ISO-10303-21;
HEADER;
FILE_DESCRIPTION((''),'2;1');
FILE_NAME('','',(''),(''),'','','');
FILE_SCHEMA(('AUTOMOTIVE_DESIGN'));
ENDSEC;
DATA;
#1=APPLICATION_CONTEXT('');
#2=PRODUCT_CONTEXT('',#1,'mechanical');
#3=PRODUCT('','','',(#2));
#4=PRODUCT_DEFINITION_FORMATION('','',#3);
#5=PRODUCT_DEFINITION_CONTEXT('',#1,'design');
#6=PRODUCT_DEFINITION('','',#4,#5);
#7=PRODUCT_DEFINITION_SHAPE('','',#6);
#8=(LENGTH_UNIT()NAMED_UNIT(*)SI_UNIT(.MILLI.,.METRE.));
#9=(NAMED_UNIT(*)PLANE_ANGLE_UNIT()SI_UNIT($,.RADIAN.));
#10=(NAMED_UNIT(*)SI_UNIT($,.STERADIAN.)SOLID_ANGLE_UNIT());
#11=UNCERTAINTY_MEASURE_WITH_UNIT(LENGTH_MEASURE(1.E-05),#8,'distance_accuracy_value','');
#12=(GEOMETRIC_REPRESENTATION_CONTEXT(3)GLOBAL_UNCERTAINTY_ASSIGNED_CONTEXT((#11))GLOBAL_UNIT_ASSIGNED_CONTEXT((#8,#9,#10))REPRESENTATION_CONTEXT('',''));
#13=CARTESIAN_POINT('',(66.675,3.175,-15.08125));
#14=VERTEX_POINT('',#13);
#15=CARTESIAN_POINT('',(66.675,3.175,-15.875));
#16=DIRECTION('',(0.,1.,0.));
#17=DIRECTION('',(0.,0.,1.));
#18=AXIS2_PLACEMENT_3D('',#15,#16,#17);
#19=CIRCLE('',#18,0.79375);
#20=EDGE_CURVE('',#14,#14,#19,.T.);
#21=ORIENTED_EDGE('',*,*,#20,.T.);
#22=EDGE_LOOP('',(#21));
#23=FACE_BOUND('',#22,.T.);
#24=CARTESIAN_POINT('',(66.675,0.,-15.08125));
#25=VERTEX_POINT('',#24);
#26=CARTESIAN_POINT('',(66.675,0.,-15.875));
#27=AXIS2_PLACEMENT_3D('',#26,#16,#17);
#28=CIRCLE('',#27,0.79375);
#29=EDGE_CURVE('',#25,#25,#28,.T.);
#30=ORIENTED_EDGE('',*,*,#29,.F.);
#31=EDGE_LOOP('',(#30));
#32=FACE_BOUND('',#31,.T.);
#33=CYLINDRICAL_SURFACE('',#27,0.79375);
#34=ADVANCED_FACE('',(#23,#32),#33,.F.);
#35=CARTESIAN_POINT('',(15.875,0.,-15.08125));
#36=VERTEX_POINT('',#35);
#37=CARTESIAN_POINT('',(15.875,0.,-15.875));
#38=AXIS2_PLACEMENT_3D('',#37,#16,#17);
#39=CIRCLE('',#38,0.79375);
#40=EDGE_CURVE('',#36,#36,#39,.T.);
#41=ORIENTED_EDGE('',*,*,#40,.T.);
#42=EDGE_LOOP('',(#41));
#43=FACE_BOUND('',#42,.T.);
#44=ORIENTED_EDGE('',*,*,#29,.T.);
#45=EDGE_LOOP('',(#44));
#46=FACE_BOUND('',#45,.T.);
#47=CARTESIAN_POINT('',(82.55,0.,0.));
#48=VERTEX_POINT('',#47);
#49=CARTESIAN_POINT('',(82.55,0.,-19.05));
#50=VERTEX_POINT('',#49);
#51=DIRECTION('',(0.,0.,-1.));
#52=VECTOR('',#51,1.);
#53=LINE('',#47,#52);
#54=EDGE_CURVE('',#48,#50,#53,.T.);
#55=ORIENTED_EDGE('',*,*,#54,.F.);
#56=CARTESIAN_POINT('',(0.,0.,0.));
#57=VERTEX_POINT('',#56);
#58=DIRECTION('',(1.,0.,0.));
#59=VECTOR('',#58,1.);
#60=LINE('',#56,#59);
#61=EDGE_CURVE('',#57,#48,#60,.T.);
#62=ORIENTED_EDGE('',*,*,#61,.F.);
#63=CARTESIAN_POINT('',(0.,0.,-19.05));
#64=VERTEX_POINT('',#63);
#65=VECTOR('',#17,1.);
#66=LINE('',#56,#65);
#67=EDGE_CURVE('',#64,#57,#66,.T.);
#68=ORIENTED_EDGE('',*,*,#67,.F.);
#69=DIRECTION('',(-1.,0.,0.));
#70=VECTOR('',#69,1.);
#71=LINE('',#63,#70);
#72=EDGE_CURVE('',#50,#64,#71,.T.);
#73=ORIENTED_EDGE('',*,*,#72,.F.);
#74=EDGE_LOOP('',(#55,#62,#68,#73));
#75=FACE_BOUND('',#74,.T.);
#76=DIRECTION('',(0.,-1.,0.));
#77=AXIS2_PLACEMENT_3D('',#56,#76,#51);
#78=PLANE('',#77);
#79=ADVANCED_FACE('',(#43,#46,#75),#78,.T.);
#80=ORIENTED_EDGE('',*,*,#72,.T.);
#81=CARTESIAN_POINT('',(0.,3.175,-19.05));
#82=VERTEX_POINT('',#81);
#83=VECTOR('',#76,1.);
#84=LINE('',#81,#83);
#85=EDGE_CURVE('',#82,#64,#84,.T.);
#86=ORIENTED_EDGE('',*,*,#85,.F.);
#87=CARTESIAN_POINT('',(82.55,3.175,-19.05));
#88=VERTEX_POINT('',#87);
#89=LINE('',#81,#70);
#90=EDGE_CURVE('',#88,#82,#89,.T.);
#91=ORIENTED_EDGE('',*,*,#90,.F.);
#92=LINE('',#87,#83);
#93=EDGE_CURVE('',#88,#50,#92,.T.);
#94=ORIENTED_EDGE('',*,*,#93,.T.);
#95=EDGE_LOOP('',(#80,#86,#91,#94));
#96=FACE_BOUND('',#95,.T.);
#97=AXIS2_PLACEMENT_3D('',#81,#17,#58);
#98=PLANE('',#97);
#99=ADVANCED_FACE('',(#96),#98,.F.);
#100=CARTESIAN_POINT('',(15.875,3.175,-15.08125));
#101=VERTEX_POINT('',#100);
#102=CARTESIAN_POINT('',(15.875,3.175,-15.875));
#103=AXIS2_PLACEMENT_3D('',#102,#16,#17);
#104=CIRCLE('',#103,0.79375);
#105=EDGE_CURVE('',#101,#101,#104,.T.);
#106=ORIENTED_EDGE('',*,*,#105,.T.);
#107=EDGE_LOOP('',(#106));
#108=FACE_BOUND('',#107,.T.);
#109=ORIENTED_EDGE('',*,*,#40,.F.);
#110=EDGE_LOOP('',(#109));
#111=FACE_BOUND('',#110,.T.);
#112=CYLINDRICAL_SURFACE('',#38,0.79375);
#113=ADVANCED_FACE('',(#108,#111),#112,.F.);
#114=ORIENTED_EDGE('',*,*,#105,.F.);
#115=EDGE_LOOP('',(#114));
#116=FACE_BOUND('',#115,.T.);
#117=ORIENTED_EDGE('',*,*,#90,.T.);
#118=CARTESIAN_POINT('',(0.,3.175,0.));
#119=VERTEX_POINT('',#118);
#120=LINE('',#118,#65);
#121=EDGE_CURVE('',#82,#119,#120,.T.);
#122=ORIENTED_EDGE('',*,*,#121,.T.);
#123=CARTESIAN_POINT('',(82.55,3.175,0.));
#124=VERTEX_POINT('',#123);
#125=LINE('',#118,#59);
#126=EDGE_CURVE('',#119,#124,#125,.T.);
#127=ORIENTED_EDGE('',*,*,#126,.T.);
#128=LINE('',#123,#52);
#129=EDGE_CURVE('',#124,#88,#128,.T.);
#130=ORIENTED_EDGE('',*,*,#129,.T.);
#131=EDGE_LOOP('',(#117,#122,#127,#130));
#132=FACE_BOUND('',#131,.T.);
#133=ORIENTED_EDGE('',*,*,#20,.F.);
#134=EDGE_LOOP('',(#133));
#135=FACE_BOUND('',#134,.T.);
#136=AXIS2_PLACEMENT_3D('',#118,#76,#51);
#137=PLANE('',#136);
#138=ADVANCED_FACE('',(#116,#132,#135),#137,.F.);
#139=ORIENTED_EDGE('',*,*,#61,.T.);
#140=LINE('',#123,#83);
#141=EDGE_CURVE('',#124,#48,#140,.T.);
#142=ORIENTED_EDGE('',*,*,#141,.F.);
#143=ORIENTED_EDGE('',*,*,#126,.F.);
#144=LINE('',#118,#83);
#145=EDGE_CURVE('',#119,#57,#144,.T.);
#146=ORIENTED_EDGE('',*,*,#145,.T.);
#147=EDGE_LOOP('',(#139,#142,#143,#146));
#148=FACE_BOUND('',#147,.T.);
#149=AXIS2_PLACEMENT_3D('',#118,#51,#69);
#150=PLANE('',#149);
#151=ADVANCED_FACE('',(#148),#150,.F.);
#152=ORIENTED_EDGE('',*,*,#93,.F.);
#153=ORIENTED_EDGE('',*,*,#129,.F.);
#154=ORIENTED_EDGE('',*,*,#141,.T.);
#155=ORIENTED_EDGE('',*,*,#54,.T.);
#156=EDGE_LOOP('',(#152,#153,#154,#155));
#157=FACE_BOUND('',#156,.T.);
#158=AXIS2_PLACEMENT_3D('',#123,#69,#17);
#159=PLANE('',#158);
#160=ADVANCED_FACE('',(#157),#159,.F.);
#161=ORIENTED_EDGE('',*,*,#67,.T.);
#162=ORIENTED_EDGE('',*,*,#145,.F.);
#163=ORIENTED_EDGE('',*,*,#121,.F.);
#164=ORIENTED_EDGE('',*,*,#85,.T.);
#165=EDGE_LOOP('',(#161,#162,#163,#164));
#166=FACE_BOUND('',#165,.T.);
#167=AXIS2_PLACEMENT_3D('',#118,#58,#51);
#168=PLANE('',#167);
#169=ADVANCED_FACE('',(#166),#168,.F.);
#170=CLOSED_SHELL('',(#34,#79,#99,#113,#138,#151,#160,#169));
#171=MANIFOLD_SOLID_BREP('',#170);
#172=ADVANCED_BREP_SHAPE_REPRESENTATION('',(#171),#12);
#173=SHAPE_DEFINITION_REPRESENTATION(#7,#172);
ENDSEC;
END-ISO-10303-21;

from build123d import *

# Parameters (mm, degrees)
SKETCH1_W           = 82.55
SKETCH1_H           = 19.05
BOSS_EXTRUDE1_DEPTH = 3.175
SKETCH2_R           = 0.79375
CUT_EXTRUDE1_DEPTH  = 85.77904001


with BuildPart() as part:
    # Sketch1 → Boss-Extrude1 (new body)
    with BuildSketch(Plane(origin=(0, 0, 0), x_dir=(1, 0, 0), z_dir=(0, 1, 0))):
        with Locations((41.275, 9.525)):
            Rectangle(SKETCH1_W, SKETCH1_H)
    extrude(amount=BOSS_EXTRUDE1_DEPTH)

    # Sketch2 → Cut-Extrude1 (cut, through all)
    with BuildSketch(Plane(origin=(0, 3.175, 0), x_dir=(1, 0, 0), z_dir=(0, 1, 0))):
        with Locations(Location((15.875, 15.875, 0), (0, 0, 270))):
            Circle(SKETCH2_R)
        with Locations(Location((66.675, 15.875, 0), (0, 0, 270))):
            Circle(SKETCH2_R)
    extrude(amount=-CUT_EXTRUDE1_DEPTH, mode=Mode.SUBTRACT)


solid = part.part
